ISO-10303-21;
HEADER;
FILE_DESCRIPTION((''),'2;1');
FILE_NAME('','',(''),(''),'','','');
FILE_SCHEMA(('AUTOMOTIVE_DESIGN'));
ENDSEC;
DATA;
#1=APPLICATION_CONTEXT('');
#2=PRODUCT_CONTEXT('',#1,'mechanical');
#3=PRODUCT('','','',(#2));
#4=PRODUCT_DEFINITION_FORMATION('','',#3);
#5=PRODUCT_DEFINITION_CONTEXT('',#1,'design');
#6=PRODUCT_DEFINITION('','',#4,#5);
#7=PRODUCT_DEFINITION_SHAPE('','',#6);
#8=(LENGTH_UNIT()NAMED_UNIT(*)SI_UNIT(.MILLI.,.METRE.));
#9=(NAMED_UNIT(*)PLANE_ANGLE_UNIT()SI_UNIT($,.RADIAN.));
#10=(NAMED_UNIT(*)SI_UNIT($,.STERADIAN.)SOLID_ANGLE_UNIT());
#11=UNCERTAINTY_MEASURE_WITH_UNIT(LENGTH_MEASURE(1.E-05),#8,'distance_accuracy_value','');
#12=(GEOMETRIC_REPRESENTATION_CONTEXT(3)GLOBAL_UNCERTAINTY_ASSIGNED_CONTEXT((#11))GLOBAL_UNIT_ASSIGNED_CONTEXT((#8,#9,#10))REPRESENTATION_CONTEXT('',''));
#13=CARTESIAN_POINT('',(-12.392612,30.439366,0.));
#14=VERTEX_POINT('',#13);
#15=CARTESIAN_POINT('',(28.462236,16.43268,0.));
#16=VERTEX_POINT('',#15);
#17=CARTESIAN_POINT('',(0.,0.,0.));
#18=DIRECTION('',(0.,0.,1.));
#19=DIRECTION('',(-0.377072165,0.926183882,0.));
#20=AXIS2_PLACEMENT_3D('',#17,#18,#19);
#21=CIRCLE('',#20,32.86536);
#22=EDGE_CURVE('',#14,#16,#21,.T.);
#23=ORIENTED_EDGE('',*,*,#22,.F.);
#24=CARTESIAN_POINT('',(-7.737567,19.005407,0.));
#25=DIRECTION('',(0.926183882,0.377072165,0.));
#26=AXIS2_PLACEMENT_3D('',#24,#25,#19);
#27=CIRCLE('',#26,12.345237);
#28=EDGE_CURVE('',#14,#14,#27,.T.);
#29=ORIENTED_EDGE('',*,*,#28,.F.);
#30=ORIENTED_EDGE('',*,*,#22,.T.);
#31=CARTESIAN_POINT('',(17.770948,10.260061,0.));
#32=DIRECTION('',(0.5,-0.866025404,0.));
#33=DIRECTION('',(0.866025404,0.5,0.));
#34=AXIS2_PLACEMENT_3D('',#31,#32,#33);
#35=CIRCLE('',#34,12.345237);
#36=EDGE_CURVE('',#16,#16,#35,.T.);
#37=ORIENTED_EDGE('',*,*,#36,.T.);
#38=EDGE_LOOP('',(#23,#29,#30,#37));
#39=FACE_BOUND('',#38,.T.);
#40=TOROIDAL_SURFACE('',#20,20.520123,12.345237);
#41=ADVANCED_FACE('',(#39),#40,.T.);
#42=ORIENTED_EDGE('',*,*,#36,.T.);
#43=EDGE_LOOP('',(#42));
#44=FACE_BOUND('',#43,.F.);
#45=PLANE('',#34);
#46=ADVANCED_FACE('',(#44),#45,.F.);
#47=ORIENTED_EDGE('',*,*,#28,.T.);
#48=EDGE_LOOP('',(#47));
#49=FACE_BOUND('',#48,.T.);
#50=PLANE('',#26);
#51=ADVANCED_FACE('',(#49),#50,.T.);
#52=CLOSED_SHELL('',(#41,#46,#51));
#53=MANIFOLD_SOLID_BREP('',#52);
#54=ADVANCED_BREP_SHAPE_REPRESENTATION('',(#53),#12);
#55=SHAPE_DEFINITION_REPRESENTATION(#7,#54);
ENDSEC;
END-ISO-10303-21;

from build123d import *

# Parameters (mm, degrees)
F0_R          = 12.3452368191
F1_ANGLE_BACK = 247.8475566852
F1_ANGLE      = 277.8475566852


with BuildPart() as f1:
    # F0 (on Front) → F1 (revolve)
    with BuildSketch(Plane.XZ, mode=Mode.PRIVATE) as f1_sk:
        with Locations((20.5201227218, 0)):
            Circle(F0_R)
    revolve(f1_sk.sketch.rotate(Axis((0, 0, 5.0494540483), (0, 0, 1)), -F1_ANGLE_BACK), axis=Axis((0, 0, 5.0494540483), (0, 0, 1)), revolution_arc=F1_ANGLE)


solid = f1.part
